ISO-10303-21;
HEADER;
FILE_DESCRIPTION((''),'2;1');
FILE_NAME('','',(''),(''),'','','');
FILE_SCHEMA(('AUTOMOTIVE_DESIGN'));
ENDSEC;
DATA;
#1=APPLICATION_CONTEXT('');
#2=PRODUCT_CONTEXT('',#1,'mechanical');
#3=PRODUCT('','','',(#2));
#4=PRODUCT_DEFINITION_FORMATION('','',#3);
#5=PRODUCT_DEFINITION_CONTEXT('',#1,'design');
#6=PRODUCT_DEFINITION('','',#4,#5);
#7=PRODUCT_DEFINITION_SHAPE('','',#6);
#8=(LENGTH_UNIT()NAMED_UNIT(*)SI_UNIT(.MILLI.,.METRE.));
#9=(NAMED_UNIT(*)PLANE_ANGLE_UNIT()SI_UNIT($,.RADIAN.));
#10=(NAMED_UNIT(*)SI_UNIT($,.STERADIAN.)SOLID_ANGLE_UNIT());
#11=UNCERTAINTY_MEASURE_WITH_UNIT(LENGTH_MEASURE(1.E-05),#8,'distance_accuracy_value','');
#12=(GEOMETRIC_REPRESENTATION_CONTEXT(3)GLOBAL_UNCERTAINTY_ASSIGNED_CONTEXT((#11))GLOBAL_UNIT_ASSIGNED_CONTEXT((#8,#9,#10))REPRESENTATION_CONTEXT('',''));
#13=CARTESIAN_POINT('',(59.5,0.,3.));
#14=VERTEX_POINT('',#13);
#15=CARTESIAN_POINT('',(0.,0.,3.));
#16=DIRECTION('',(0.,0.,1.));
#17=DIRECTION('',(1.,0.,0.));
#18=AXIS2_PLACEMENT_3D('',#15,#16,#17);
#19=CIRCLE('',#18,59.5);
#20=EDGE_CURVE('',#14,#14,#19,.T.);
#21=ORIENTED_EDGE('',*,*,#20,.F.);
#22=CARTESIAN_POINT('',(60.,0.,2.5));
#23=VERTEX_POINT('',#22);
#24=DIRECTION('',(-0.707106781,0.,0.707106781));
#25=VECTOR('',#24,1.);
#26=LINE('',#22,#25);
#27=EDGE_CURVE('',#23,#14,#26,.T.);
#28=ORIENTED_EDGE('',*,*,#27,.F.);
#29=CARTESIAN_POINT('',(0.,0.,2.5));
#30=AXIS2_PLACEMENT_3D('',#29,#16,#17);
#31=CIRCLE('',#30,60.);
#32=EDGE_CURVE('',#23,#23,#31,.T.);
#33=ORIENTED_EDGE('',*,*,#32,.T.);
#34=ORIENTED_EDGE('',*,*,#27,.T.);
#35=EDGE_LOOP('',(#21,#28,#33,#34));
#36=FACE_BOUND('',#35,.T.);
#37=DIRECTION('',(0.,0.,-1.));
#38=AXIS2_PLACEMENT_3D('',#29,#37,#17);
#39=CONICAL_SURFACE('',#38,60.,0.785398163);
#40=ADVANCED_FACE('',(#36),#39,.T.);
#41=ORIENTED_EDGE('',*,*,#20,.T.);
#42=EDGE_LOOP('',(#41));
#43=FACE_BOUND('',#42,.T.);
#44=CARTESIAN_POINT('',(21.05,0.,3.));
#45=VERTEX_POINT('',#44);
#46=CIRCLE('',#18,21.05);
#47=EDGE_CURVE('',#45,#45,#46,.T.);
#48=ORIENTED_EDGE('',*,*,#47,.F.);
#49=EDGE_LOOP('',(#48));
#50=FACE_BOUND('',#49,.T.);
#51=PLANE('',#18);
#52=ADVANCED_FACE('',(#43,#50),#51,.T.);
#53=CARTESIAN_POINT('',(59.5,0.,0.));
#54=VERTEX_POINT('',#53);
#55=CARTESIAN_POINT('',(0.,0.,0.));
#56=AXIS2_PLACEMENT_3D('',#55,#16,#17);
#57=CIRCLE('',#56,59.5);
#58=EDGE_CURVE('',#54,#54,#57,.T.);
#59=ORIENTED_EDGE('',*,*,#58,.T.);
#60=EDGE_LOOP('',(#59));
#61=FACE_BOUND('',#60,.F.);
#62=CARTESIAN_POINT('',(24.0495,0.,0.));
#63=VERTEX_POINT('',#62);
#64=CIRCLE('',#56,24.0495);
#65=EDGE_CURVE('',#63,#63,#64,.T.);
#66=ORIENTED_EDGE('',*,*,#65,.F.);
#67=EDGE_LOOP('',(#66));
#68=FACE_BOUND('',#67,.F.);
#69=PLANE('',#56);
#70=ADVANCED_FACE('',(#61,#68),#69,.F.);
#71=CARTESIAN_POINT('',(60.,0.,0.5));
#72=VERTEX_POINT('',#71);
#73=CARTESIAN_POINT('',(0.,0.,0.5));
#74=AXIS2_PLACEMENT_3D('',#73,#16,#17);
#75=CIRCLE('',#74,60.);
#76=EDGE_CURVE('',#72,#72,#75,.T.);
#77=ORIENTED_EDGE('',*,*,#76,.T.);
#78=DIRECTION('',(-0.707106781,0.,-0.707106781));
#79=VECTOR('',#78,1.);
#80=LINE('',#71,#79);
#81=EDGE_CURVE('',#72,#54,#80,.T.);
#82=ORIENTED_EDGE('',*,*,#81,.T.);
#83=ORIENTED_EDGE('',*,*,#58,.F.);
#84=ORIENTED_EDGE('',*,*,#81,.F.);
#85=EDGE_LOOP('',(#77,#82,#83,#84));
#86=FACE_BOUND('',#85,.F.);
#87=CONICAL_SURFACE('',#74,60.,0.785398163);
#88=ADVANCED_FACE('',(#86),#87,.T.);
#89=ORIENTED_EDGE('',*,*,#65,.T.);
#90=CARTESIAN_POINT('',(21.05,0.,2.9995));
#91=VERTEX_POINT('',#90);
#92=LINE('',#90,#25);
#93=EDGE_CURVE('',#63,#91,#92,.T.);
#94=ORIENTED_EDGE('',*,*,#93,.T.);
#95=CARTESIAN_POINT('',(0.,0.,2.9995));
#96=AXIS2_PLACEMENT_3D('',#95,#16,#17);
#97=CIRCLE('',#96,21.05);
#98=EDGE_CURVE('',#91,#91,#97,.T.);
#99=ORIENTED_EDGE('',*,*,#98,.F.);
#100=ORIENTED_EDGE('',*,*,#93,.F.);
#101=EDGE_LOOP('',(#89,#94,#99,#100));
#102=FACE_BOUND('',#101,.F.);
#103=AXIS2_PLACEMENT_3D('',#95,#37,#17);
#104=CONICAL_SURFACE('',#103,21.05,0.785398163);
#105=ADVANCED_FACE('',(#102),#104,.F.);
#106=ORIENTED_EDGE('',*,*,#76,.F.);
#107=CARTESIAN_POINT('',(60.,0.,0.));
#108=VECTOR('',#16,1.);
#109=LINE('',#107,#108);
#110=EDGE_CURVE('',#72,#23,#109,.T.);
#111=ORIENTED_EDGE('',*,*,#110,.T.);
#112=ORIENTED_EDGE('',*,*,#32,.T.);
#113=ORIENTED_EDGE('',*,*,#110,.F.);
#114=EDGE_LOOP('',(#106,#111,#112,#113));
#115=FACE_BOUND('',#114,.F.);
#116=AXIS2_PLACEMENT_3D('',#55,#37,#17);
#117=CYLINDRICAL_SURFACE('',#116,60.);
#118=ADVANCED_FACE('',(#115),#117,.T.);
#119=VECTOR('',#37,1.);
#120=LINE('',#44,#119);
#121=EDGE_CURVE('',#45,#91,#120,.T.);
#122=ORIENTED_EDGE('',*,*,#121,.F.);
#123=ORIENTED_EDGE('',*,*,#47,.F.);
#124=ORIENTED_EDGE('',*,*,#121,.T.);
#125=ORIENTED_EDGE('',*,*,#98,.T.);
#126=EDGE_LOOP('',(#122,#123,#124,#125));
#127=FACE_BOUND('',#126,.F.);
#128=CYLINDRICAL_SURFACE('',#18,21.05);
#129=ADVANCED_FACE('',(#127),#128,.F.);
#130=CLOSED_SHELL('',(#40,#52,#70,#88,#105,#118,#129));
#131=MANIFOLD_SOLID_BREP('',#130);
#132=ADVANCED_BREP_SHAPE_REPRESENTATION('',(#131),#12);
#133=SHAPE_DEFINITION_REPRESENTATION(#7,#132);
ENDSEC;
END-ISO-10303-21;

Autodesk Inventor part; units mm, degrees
ref_plane "YZ Plane" through (0, 0, 0) normal (1, 0, 0) x (0, 1, 0)
ref_plane "XZ Plane" through (0, 0, 0) normal (0, 1, 0) x (-1, 0, 0)
ref_plane "XY Plane" through (0, 0, 0) normal (0, 0, 1) x (1, 0, 0)
sketch "Sketch1" plane through (0, 0, 0) normal (0, 0, 1) x (1, 0, 0)
  circle A0 centre (0, 0) radius 60
  dimension "d0" = 120
extrude "Extrusion1" add sketch "Sketch1" along normal blind 3
chamfer "Chamfer2" distance 0.5 angle 45 2 edges at (-60, 0, 3) (-60, 0, 0)
sketch "Sketch5" plane through (0, 0, 3) normal (0, 0, 1) x (1, 0, 0)
  circle A0 centre (0, 0) radius 21.05
  dimension "d36" = 42.1
extrude "Extrusion5" cut sketch "Sketch5" against normal through all
chamfer "Chamfer3" distance 3 angle 45 1 edges at (-21.05, 0, 0)
properties part number "spool_side"
